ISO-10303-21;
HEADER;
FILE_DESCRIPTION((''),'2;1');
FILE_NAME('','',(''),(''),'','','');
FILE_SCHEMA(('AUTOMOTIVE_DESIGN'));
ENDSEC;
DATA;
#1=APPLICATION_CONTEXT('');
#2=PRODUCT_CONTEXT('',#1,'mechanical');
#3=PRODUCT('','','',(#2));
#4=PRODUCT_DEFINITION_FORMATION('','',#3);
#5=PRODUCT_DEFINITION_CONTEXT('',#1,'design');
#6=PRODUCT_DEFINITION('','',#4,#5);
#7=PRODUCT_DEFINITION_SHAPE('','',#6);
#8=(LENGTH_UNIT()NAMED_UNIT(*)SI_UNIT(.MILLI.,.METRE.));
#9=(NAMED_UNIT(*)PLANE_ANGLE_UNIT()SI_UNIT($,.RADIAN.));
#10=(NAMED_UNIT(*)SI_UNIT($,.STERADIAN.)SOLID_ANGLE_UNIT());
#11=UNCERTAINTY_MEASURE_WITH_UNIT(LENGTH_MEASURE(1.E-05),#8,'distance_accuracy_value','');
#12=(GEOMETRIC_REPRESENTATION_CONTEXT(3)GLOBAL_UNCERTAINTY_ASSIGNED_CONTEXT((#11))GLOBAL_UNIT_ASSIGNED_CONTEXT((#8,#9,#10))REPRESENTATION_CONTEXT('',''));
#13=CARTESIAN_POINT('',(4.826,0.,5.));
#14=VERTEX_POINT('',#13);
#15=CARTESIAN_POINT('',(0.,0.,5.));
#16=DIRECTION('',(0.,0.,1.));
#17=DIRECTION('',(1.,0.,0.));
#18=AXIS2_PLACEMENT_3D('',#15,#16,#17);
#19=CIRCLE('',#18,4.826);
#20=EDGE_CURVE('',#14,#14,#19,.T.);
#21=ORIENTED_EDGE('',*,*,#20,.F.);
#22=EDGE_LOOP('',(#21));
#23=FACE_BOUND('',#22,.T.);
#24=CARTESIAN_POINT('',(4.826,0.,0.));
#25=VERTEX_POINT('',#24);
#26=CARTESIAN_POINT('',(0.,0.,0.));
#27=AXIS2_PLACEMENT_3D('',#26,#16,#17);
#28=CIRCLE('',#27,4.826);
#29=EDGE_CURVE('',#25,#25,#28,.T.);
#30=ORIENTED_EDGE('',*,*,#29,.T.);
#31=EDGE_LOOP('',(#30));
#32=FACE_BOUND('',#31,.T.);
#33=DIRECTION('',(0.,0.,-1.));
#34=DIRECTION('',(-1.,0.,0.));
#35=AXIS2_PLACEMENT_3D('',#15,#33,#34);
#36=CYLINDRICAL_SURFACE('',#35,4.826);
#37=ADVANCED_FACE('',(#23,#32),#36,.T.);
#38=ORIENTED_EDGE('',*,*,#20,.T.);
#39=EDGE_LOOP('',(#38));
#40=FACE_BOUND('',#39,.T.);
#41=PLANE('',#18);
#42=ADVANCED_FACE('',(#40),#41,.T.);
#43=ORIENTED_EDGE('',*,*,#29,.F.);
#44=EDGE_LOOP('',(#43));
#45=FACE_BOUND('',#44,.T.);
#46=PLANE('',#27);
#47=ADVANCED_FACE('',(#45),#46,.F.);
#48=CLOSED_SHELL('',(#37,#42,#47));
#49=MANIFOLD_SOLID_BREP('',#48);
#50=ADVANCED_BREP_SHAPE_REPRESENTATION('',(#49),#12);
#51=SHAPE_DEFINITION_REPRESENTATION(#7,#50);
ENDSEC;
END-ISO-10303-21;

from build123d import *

# Parameters (mm, degrees)
SKETCH1_R           = 4.826
BOSS_EXTRUDE1_DEPTH = 5


with BuildPart() as part:
    # Sketch1 → Boss-Extrude1 (new body)
    with BuildSketch(Plane.XY):
        Circle(SKETCH1_R)
    extrude(amount=BOSS_EXTRUDE1_DEPTH)


solid = part.part
